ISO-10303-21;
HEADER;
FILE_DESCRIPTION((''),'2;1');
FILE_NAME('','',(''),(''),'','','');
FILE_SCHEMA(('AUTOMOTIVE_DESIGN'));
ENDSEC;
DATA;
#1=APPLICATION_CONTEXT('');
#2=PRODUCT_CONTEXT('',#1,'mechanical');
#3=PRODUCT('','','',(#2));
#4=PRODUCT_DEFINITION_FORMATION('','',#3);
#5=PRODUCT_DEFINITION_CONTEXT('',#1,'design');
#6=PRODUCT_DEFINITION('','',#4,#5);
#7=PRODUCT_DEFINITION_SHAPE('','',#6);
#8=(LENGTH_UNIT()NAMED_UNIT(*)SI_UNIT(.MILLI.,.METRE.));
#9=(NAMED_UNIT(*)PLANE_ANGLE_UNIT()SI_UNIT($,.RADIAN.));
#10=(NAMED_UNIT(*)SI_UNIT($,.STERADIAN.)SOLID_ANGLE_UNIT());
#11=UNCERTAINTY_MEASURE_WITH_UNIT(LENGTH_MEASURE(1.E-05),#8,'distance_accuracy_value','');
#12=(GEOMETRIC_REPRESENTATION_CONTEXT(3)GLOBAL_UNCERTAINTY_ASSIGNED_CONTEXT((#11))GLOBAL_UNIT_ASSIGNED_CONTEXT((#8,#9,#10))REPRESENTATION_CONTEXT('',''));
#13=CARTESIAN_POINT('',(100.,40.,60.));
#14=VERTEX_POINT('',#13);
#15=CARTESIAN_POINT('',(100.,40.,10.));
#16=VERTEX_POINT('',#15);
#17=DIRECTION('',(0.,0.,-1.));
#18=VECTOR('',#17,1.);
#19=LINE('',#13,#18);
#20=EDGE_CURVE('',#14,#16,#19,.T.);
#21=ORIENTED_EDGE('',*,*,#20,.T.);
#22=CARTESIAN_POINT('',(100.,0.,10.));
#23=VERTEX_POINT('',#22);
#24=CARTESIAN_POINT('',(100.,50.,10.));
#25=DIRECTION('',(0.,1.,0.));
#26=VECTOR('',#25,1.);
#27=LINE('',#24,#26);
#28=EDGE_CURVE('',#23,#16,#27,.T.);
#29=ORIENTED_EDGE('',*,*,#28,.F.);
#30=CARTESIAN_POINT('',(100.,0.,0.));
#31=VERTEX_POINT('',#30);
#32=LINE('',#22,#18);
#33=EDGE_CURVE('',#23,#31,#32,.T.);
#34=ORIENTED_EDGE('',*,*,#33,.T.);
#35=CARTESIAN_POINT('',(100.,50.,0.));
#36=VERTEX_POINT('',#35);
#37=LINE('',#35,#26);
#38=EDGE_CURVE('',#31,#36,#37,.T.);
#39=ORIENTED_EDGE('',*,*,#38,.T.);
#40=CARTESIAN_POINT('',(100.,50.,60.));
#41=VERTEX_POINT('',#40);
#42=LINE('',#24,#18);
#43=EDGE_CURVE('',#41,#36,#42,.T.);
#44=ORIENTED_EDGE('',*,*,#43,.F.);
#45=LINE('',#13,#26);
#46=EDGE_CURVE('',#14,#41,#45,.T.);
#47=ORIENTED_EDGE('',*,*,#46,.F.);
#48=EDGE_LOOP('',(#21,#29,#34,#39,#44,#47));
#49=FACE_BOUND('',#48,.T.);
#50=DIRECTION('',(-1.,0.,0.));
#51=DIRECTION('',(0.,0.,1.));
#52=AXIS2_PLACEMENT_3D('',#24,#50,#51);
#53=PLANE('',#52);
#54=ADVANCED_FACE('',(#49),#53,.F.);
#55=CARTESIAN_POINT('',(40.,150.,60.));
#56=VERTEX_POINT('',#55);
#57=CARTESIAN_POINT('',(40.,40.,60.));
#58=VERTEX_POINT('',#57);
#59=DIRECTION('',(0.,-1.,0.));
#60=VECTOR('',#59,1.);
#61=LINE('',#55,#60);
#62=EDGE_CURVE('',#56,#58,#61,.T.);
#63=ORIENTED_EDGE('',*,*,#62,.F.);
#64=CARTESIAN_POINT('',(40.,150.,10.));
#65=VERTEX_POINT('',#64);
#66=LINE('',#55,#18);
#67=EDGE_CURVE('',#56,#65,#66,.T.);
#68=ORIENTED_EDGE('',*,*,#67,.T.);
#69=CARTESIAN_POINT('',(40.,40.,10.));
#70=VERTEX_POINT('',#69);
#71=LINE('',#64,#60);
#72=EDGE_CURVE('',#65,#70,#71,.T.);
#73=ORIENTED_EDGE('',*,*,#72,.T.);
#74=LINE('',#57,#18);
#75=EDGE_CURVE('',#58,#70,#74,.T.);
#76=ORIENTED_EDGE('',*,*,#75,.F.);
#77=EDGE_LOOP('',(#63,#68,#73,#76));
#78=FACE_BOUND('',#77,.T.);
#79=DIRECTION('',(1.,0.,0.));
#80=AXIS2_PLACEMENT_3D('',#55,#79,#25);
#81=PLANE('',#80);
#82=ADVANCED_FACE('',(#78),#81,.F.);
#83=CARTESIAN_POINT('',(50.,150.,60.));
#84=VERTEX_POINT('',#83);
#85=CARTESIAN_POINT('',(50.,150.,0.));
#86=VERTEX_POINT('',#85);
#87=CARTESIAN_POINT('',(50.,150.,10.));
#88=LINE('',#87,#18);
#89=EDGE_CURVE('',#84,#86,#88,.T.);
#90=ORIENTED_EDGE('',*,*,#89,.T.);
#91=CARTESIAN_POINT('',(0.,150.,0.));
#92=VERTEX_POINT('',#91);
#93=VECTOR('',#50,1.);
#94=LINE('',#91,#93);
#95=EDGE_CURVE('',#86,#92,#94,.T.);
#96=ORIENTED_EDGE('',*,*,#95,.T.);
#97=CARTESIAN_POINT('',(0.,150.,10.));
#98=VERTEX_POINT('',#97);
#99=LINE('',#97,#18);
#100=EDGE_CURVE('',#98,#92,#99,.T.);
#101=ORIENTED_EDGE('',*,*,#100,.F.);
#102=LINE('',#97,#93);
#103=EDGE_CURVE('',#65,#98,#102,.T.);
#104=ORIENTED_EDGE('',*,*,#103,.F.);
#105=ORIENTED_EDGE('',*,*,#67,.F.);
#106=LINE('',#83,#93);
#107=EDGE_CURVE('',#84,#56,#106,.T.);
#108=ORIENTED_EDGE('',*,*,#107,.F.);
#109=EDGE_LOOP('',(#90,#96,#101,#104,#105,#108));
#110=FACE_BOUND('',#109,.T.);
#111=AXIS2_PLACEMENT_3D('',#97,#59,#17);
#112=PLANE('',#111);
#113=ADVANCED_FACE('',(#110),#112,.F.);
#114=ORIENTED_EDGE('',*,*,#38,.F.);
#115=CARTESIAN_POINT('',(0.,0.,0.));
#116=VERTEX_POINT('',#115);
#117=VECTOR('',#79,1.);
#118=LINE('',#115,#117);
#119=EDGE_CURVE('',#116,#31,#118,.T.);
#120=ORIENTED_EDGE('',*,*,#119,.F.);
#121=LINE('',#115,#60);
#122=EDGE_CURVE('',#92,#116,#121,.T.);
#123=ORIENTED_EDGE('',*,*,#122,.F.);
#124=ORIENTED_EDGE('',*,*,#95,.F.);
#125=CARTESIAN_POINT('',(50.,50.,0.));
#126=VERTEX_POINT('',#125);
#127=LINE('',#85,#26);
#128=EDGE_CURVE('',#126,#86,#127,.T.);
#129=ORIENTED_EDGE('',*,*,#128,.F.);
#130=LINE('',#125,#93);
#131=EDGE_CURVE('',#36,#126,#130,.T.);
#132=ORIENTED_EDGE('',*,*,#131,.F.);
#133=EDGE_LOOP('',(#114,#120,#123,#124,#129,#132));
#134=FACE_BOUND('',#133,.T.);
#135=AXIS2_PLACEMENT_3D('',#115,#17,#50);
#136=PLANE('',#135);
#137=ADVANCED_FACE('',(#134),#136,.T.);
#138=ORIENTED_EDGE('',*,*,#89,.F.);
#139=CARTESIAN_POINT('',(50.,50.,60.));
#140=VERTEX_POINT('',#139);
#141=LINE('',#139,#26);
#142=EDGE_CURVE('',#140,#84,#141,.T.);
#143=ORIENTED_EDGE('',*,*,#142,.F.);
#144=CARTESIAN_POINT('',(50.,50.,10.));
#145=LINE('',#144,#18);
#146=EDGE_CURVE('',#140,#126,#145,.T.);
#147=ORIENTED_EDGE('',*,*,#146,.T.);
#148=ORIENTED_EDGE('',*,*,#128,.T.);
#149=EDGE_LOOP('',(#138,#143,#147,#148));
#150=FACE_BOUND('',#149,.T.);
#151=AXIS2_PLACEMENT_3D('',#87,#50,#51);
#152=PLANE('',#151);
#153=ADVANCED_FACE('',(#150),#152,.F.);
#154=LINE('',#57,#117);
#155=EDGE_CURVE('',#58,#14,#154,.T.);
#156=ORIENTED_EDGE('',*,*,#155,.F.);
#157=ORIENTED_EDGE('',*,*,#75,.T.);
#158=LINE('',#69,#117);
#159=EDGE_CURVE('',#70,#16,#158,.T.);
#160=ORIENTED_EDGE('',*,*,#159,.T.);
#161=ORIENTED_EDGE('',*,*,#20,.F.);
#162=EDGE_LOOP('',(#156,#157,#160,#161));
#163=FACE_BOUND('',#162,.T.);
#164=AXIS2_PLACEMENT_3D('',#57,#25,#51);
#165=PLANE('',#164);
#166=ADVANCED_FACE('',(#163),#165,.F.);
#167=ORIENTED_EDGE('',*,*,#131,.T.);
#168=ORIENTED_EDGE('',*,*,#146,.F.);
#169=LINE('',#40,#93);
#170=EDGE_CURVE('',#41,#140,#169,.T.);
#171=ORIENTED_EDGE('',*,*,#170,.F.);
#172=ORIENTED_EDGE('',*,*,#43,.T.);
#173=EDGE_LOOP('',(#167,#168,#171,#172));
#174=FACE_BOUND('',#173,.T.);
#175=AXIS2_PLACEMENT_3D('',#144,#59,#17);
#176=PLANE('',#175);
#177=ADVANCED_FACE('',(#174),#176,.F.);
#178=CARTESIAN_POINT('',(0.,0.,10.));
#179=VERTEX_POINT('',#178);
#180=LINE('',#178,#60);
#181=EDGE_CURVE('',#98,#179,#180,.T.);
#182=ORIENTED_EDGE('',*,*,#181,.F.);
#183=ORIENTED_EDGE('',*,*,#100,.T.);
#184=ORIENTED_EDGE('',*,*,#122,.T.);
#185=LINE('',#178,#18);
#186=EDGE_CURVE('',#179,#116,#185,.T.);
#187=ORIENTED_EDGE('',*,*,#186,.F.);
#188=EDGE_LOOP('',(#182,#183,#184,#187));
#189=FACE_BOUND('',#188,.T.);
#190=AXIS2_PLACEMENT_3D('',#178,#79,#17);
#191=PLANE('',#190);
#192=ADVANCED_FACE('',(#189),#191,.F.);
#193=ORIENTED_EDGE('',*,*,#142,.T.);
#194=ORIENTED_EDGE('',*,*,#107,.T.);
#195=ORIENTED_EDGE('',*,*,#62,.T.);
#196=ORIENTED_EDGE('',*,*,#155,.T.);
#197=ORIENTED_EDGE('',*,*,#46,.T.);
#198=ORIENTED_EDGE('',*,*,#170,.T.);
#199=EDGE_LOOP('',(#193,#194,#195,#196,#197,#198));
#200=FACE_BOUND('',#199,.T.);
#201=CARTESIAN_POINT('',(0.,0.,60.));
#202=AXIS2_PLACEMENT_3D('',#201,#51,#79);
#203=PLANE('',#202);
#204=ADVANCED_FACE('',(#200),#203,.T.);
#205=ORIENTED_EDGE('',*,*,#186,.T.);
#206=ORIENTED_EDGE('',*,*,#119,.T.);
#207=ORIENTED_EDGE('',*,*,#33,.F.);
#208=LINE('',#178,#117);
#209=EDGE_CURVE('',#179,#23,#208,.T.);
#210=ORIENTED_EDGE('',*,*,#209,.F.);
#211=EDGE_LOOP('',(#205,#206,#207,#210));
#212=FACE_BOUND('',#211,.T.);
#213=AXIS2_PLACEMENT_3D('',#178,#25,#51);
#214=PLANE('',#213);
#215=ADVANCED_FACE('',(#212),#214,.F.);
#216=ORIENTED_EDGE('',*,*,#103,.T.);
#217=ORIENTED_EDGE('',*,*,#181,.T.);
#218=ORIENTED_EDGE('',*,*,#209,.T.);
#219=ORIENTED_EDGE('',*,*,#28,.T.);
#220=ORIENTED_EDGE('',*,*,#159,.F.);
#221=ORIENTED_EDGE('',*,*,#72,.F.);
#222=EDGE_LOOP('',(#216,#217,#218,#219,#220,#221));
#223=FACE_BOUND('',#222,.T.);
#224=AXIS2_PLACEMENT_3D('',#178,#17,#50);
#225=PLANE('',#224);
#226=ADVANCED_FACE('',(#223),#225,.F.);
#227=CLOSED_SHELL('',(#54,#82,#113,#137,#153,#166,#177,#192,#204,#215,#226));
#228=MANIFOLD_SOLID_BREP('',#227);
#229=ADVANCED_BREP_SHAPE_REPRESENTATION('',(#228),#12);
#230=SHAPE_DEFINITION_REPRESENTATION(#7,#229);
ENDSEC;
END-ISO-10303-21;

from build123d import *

# Parameters (mm, degrees)
BOSS_EXTRUDE1_DEPTH = 10
BOSS_EXTRUDE2_DEPTH = 50


with BuildPart() as part:
    # Sketch1 → Boss-Extrude1 (new body)
    with BuildSketch(Plane.XY):
        Polygon((0, 150), (50, 150), (50, 50), (100, 50), (100, 0), (0, 0), align=None)
    extrude(amount=BOSS_EXTRUDE1_DEPTH)

    # Sketch2 → Boss-Extrude2 (add)
    with BuildSketch(Plane.XY.offset(10)):
        Polygon((40, 150), (40, 40), (100, 40), (100, 50), (50, 50), (50, 150), align=None)
    extrude(amount=BOSS_EXTRUDE2_DEPTH)


solid = part.part
